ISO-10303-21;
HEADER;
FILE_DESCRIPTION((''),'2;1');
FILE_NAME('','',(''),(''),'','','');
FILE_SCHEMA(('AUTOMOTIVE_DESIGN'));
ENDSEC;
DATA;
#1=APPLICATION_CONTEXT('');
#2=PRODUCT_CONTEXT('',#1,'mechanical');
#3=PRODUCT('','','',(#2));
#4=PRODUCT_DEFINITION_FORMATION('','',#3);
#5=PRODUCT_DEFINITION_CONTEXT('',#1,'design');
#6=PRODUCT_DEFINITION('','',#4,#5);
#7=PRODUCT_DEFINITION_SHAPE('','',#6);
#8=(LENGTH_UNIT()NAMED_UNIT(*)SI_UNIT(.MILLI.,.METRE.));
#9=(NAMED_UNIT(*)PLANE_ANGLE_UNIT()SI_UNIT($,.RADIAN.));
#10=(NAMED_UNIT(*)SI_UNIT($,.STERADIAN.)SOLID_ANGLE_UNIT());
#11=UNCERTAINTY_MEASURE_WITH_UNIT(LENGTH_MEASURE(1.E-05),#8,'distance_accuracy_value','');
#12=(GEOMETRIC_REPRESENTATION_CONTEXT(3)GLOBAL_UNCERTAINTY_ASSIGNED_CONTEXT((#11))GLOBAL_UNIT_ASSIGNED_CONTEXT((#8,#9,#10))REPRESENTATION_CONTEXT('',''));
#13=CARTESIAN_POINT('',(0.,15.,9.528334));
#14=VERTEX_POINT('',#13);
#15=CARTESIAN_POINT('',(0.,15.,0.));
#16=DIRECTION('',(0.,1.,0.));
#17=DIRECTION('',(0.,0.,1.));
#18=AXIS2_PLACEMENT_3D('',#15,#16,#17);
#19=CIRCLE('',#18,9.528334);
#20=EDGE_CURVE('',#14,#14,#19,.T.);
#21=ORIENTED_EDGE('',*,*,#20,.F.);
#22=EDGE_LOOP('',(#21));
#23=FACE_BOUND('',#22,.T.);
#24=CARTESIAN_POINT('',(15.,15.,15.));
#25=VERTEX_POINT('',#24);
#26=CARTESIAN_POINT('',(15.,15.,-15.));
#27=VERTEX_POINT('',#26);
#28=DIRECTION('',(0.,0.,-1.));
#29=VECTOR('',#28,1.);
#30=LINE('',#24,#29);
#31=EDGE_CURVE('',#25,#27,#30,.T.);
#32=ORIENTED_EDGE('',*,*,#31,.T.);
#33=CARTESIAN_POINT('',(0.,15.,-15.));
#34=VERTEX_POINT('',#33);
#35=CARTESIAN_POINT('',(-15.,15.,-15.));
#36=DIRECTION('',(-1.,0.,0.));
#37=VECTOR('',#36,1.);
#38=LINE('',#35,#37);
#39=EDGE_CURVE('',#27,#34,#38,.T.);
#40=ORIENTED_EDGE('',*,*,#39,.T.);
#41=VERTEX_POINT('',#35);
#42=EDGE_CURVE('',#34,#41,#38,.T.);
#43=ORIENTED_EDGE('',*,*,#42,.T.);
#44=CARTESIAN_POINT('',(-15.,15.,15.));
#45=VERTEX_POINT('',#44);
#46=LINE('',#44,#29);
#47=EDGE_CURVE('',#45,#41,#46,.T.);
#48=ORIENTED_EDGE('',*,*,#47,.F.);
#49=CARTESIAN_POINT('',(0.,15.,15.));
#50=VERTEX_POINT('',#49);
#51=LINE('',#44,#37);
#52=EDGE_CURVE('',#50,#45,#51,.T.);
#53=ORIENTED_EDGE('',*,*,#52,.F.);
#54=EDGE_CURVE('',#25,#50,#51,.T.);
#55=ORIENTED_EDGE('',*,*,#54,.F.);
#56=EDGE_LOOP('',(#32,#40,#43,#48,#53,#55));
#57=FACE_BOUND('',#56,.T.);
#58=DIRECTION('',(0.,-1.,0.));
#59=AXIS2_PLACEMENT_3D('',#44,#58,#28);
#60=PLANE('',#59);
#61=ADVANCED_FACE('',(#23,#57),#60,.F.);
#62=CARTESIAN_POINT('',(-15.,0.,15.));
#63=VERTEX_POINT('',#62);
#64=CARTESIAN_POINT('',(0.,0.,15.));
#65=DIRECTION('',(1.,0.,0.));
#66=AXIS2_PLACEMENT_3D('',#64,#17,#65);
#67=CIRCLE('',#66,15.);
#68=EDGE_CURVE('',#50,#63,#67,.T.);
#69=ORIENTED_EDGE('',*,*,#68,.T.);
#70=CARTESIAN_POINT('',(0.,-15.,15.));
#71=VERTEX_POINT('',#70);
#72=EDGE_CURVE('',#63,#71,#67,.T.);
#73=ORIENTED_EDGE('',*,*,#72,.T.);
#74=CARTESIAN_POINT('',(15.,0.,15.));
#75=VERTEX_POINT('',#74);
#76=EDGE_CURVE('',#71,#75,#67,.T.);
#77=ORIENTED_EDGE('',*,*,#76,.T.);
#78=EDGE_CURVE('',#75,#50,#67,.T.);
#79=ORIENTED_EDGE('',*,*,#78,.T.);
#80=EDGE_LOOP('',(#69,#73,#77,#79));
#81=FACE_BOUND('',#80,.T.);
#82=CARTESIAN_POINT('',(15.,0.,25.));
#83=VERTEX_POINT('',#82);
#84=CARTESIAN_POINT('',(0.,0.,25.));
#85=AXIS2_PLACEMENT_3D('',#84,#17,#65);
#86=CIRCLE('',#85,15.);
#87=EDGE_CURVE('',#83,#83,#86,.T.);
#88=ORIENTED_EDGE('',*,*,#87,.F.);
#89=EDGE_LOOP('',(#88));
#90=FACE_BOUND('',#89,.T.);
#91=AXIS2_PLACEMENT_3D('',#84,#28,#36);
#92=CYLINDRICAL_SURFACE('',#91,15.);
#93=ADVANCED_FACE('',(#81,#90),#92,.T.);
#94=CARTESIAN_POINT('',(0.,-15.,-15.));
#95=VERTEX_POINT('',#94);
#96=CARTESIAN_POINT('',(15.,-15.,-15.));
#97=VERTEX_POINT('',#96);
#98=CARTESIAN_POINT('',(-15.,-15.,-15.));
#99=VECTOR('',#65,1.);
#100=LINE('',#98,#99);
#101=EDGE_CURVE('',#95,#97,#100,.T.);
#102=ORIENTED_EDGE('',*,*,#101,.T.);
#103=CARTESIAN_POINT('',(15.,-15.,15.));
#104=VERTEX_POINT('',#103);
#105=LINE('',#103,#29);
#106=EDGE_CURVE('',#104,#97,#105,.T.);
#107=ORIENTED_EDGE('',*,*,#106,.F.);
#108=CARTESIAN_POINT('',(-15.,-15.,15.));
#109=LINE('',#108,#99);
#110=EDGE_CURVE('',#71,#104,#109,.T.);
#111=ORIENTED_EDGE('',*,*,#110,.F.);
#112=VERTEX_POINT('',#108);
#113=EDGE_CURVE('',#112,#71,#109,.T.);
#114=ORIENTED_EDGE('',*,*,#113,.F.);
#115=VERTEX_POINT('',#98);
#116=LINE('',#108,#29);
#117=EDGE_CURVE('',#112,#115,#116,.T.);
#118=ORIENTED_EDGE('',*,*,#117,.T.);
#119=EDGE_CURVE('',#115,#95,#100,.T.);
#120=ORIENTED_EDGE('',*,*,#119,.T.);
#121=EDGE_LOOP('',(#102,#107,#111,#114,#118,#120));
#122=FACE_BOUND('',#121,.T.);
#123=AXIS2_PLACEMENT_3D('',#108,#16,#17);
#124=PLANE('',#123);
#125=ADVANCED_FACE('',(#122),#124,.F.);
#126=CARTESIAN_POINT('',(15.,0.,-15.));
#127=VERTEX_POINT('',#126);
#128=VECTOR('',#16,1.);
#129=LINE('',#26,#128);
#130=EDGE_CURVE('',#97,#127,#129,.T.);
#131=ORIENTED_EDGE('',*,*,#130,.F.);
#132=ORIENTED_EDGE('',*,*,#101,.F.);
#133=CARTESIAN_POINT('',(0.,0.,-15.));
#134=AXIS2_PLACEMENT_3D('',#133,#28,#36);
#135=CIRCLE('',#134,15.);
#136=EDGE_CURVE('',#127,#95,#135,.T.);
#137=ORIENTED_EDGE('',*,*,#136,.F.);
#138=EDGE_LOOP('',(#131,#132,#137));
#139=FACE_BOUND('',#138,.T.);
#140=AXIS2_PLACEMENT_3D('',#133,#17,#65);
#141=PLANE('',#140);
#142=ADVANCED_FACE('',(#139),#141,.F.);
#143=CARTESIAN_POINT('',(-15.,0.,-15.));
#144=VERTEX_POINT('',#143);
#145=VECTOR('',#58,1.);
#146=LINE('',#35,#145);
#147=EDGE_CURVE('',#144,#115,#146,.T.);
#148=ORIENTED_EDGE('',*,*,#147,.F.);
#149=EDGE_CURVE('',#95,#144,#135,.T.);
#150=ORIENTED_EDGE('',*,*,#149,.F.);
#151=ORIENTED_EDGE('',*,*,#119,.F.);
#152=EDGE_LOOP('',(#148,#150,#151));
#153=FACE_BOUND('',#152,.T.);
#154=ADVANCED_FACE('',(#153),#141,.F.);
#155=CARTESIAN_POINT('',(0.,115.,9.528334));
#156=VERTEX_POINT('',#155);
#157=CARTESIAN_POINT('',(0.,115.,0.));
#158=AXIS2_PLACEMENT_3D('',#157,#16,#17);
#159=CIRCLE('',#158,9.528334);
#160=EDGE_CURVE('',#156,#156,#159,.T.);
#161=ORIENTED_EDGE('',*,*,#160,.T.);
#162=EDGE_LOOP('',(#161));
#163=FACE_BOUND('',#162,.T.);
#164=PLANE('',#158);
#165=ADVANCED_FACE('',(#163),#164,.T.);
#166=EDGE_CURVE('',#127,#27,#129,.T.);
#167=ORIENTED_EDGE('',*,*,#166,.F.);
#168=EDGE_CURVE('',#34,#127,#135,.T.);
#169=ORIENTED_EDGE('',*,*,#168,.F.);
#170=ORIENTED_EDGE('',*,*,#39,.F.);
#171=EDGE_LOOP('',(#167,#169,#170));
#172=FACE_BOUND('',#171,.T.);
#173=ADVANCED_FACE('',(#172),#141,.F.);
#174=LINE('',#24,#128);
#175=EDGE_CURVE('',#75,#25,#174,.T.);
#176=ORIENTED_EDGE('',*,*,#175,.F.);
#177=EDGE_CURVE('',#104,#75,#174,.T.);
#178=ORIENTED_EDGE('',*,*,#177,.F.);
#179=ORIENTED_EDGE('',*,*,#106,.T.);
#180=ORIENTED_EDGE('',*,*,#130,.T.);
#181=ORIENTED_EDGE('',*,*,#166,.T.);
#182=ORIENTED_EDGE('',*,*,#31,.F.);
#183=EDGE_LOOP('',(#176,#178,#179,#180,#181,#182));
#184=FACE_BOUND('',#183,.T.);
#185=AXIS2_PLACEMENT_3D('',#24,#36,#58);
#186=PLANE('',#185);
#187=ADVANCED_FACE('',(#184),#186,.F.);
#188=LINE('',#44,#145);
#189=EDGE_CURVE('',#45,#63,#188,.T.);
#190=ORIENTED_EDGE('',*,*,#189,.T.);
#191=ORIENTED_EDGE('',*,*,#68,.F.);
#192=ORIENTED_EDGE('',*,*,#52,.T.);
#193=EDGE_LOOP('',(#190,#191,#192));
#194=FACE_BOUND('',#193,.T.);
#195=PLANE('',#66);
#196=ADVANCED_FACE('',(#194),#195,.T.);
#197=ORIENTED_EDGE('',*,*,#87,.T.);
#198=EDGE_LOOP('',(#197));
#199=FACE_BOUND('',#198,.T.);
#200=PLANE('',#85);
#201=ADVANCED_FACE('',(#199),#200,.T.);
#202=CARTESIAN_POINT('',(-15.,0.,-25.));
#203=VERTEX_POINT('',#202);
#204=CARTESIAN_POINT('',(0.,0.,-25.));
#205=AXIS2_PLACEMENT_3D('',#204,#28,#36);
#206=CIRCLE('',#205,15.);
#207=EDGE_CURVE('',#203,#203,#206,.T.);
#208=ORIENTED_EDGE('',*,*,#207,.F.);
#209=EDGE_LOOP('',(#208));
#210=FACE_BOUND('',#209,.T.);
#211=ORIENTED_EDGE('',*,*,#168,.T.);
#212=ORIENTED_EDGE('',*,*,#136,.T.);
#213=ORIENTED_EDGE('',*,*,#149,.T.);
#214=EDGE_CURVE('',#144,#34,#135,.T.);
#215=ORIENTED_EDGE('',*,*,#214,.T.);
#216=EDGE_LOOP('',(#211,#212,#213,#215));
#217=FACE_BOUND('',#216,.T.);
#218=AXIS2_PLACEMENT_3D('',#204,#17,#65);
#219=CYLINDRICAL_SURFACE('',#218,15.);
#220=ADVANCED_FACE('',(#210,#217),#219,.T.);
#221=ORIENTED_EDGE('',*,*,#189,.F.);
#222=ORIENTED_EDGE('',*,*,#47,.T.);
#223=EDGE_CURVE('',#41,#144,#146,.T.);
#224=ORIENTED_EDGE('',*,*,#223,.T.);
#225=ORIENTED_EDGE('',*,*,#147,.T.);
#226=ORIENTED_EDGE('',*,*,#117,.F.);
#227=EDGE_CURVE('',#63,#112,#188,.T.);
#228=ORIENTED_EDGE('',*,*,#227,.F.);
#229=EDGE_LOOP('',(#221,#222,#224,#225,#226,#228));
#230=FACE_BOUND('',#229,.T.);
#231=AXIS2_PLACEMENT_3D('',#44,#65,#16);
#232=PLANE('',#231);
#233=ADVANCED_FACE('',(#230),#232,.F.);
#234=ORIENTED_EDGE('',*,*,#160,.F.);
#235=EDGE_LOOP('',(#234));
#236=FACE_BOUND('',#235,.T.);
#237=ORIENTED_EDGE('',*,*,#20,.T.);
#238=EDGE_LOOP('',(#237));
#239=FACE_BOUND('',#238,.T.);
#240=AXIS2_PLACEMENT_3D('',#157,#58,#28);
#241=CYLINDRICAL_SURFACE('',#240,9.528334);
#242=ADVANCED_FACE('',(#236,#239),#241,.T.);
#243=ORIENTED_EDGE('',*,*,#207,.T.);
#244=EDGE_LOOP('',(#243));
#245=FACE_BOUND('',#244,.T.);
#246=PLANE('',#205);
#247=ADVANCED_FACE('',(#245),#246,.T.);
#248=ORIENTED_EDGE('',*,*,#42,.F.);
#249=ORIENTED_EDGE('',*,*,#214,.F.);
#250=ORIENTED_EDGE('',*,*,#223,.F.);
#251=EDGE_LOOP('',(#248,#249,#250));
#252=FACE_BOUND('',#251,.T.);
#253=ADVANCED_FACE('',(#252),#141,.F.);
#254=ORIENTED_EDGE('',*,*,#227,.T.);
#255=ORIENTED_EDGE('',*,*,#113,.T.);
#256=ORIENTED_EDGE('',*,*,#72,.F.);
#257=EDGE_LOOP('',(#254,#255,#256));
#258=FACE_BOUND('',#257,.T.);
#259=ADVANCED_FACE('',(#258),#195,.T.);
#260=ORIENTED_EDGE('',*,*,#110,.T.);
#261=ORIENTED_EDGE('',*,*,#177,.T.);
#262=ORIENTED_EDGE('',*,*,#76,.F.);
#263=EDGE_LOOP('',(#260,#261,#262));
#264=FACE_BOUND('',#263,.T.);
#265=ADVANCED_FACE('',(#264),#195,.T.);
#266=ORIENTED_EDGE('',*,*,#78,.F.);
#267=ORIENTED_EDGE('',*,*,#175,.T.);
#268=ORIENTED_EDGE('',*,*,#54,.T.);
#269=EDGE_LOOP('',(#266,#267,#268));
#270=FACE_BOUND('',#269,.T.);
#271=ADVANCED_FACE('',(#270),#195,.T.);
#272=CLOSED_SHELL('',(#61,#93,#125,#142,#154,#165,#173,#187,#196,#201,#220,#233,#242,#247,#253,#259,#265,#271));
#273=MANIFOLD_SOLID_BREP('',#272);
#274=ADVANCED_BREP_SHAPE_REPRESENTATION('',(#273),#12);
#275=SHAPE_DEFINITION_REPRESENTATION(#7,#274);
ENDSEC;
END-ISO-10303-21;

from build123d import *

# Parameters (mm, degrees)
SKETCH1_W           = 30
SKETCH1_H           = 30
BOSS_EXTRUDE2_DEPTH = 15
SKETCH2_R           = 15
BOSS_EXTRUDE3_DEPTH = 10
SKETCH3_R           = 15
BOSS_EXTRUDE4_DEPTH = 10
SKETCH4_R           = 9.528333781
CUT_EXTRUDE1_DEPTH  = 31
BOSS_EXTRUDE5_START = -30
SKETCH5_R           = 9.528333781
BOSS_EXTRUDE5_DEPTH = 130


with BuildPart() as part:
    # Sketch1 → Boss-Extrude2 (new body, symmetric)
    with BuildSketch(Plane.XY):
        Rectangle(SKETCH1_W, SKETCH1_H)
    extrude(amount=BOSS_EXTRUDE2_DEPTH, both=True)

    # Sketch2 → Boss-Extrude3 (add)
    with BuildSketch(Plane.XY.offset(15)):
        Circle(SKETCH2_R)
    extrude(amount=BOSS_EXTRUDE3_DEPTH)

    # Sketch3 → Boss-Extrude4 (add)
    with BuildSketch(Plane(origin=(0, 0, -15), x_dir=(-1, 0, 0), z_dir=(0, 0, -1))):
        Circle(SKETCH3_R)
    extrude(amount=BOSS_EXTRUDE4_DEPTH)

    # Sketch4 → Cut-Extrude1 (cut, through all)
    with BuildSketch(Plane(origin=(0, 15, 0), x_dir=(1, 0, 0), z_dir=(0, 1, 0))):
        Circle(SKETCH4_R)
    extrude(amount=-CUT_EXTRUDE1_DEPTH, mode=Mode.SUBTRACT)

    # Sketch5 → Boss-Extrude5 (add)
    with BuildSketch(Plane(origin=(0, 15, 0), x_dir=(1, 0, 0), z_dir=(0, 1, 0)).offset(BOSS_EXTRUDE5_START)):
        Circle(SKETCH5_R)
    extrude(amount=BOSS_EXTRUDE5_DEPTH)


solid = part.part
